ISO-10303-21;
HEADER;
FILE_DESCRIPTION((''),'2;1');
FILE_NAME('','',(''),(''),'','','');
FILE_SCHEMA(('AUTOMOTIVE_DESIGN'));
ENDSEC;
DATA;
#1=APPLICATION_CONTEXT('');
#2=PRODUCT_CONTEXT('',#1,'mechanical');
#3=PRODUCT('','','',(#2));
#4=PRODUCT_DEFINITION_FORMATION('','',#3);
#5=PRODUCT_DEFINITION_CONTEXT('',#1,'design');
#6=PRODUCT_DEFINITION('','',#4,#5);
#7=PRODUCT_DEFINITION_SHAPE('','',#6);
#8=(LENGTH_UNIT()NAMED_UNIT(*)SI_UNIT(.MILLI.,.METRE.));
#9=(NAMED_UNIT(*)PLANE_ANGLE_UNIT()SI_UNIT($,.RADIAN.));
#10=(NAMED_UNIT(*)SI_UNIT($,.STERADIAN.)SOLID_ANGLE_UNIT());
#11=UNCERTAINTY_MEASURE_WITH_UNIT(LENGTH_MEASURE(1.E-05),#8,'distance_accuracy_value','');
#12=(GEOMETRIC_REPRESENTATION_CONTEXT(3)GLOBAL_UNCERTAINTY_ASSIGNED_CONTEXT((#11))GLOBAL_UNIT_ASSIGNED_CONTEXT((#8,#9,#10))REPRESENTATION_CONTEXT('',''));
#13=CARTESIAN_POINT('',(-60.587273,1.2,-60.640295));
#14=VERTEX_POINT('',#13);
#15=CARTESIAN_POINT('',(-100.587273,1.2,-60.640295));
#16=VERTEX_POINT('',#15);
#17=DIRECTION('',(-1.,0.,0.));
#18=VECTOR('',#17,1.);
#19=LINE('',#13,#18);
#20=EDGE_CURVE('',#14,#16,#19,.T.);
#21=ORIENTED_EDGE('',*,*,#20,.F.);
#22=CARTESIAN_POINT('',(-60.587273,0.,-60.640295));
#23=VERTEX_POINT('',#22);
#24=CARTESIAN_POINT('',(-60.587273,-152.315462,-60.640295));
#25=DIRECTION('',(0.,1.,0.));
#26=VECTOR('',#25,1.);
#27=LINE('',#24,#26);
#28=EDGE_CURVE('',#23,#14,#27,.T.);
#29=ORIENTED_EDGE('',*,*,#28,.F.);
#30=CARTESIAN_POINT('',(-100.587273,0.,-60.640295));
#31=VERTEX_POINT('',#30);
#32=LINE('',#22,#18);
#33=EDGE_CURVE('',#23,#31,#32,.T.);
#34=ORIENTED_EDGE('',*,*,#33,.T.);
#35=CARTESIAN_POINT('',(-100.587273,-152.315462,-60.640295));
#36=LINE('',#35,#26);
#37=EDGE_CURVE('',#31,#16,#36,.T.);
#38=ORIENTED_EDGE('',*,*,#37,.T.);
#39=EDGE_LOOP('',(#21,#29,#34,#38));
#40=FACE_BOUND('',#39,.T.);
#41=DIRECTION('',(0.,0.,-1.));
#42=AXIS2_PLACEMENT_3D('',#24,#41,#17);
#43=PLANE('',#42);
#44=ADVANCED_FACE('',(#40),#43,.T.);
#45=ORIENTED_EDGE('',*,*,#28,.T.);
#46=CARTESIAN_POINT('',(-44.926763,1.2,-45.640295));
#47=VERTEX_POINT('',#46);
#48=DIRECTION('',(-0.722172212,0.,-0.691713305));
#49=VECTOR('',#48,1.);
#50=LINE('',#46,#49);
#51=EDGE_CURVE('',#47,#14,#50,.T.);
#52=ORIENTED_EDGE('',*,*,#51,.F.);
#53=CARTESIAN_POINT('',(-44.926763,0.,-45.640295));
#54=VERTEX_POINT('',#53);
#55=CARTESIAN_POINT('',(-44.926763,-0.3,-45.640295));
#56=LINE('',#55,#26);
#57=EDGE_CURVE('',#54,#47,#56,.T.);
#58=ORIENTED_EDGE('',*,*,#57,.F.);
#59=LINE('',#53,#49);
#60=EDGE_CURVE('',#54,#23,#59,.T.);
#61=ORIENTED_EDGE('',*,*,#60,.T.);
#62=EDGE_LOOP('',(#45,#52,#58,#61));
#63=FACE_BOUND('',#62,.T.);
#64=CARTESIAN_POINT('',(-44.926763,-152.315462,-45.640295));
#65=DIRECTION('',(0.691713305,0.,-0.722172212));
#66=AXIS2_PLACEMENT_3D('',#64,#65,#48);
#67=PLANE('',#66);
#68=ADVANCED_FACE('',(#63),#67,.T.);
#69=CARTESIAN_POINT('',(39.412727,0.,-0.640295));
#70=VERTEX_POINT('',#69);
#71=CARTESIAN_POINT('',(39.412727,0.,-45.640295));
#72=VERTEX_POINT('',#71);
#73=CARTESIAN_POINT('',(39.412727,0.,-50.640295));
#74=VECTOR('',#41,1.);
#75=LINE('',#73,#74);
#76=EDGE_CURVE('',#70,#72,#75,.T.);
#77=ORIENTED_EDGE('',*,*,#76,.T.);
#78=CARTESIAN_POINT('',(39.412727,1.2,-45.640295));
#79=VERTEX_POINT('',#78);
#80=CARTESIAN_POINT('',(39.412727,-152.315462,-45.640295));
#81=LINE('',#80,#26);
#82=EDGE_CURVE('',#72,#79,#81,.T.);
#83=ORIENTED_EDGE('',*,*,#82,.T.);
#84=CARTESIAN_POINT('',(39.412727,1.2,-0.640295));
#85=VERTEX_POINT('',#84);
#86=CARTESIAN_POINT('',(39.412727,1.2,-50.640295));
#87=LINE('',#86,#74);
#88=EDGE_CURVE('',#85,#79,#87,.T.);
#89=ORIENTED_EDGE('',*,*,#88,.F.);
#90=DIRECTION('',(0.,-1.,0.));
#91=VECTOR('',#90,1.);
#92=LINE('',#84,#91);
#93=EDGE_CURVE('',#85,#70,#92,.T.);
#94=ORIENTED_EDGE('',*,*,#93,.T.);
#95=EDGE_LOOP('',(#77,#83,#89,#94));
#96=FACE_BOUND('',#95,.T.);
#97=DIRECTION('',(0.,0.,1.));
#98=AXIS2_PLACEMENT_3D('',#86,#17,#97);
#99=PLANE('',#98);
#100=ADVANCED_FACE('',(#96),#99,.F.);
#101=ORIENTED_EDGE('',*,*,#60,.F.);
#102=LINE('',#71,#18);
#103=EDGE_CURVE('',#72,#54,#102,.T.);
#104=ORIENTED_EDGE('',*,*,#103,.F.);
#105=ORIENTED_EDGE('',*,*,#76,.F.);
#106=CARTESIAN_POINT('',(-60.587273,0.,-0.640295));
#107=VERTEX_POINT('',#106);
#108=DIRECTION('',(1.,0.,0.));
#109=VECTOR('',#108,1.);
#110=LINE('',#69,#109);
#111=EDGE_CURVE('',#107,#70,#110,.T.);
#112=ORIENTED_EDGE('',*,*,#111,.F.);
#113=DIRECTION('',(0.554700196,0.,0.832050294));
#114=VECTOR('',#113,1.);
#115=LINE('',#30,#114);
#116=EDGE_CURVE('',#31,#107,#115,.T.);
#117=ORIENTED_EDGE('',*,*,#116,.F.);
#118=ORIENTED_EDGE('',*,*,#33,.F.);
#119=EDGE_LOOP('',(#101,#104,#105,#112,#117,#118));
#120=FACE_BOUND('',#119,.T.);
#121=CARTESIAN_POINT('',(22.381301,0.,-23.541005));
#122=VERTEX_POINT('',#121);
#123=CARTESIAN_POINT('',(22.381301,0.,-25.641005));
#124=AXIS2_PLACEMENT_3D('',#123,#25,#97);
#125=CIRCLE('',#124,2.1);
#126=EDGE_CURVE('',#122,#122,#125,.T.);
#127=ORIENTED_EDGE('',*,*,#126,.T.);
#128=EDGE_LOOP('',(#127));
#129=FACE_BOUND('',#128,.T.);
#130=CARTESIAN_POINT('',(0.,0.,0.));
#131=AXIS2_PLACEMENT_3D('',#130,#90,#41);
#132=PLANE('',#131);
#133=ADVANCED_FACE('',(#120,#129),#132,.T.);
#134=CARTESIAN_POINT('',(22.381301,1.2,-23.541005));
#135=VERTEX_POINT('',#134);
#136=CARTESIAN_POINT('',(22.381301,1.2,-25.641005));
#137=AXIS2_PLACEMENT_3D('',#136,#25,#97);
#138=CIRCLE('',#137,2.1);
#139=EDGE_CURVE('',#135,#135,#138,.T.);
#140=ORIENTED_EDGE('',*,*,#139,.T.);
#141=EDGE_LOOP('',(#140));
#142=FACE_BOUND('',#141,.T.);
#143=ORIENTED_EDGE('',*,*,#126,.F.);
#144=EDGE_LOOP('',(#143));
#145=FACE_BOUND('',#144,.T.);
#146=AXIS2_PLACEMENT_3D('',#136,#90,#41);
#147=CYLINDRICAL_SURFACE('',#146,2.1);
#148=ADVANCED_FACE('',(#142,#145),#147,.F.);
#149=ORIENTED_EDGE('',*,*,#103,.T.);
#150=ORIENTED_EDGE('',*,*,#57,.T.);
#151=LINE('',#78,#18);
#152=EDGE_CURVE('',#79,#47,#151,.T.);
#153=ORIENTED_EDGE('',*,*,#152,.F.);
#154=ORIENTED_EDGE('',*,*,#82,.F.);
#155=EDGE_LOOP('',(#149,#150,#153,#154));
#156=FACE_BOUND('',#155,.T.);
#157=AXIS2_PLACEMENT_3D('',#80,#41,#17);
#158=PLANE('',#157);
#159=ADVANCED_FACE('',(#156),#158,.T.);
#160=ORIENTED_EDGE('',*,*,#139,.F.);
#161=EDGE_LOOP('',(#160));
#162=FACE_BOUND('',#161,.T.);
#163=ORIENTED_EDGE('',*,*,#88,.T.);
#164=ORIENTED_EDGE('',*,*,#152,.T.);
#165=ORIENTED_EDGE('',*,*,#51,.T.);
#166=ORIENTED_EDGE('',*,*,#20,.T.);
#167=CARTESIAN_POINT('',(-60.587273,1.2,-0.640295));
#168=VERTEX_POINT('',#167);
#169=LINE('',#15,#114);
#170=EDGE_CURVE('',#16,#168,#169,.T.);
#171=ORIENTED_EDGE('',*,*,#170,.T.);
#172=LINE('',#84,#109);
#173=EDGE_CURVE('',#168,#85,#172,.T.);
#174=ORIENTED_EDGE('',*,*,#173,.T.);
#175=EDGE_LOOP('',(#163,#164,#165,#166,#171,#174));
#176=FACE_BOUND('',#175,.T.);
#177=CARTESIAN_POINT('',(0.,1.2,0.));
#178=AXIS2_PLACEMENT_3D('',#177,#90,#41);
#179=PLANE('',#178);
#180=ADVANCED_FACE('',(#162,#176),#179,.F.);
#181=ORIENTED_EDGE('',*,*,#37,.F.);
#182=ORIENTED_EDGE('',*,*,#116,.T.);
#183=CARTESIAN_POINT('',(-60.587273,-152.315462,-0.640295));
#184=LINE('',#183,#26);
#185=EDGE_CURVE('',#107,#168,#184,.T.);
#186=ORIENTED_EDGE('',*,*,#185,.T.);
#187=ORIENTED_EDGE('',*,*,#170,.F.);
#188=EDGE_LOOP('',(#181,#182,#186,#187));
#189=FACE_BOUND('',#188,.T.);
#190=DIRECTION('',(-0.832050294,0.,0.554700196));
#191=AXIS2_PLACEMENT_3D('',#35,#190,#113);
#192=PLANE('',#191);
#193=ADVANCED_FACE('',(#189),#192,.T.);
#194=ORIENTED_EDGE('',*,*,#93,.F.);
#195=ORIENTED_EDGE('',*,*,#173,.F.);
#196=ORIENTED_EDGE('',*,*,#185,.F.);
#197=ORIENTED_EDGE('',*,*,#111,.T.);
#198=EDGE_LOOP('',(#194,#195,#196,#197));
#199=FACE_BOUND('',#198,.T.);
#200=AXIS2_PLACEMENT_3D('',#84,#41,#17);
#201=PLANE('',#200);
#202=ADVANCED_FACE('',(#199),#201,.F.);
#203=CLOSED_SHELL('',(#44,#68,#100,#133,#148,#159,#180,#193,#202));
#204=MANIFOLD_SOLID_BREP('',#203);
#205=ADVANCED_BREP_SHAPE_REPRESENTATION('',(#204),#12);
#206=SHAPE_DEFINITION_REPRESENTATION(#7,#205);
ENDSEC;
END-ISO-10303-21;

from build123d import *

# Parameters (mm, degrees)
SKETCH2_R           = 2.1
BOSS_EXTRUDE1_DEPTH = 1.2
CUT_EXTRUDE1_DEPTH  = 1.5
SKETCH4_R           = 2.1
BOSS_EXTRUDE3_DEPTH = 1.2
CUT_EXTRUDE2_DEPTH  = 1.5


with BuildPart() as part:
    # Sketch2 → Boss-Extrude1 (new body)
    with BuildSketch(Plane(origin=(0, 0, 0), x_dir=(1, 0, 0), z_dir=(0, 1, 0))):
        Polygon((39.4127274, 50.640295112), (39.4127274, 0.640295112), (-45.5872726, 0.640295112), (-80.5872726, 50.640295112), align=None)
        with Locations((22.381300815, 25.64100497)):
            Circle(SKETCH2_R, mode=Mode.SUBTRACT)
    extrude(amount=BOSS_EXTRUDE1_DEPTH)

    # Sketch3 → Cut-Extrude1 (cut)
    with BuildSketch(Plane(origin=(0, 1.2, 0), x_dir=(1, 0, 0), z_dir=(0, 1, 0))):
        Polygon((39.4127274, 40.640295112), (-30.5872726, 40.640295112), (-50.5872726, 50.640295112), (39.4127274, 50.640295112), align=None)
    extrude(amount=-CUT_EXTRUDE1_DEPTH, mode=Mode.SUBTRACT)

    # Sketch4 → Boss-Extrude3 (add)
    with BuildSketch(Plane(origin=(0, 1.2, 0), x_dir=(1, 0, 0), z_dir=(0, 1, 0))):
        Polygon((39.4127274, 0.640295112), (-60.5872726, 0.640295112), (-100.5872726, 60.640295112), (-60.5872726, 60.640295112), (-44.926762529, 45.640295112), (39.4127274, 45.640295112), align=None)
        with Locations((22.381300815, 25.64100497)):
            Circle(SKETCH4_R, mode=Mode.SUBTRACT)
    extrude(amount=-BOSS_EXTRUDE3_DEPTH)

    # Sketch6 → Cut-Extrude2 (cut)
    with BuildSketch(Plane(origin=(0, 1.2, 0), x_dir=(1, 0, 0), z_dir=(0, 1, 0))):
        Polygon((-40.5872726, 45.640295112), (-44.926762529, 45.640295112), (-49.666026343, 50.179671984), align=None)
    extrude(amount=-CUT_EXTRUDE2_DEPTH, mode=Mode.SUBTRACT)


solid = part.part
